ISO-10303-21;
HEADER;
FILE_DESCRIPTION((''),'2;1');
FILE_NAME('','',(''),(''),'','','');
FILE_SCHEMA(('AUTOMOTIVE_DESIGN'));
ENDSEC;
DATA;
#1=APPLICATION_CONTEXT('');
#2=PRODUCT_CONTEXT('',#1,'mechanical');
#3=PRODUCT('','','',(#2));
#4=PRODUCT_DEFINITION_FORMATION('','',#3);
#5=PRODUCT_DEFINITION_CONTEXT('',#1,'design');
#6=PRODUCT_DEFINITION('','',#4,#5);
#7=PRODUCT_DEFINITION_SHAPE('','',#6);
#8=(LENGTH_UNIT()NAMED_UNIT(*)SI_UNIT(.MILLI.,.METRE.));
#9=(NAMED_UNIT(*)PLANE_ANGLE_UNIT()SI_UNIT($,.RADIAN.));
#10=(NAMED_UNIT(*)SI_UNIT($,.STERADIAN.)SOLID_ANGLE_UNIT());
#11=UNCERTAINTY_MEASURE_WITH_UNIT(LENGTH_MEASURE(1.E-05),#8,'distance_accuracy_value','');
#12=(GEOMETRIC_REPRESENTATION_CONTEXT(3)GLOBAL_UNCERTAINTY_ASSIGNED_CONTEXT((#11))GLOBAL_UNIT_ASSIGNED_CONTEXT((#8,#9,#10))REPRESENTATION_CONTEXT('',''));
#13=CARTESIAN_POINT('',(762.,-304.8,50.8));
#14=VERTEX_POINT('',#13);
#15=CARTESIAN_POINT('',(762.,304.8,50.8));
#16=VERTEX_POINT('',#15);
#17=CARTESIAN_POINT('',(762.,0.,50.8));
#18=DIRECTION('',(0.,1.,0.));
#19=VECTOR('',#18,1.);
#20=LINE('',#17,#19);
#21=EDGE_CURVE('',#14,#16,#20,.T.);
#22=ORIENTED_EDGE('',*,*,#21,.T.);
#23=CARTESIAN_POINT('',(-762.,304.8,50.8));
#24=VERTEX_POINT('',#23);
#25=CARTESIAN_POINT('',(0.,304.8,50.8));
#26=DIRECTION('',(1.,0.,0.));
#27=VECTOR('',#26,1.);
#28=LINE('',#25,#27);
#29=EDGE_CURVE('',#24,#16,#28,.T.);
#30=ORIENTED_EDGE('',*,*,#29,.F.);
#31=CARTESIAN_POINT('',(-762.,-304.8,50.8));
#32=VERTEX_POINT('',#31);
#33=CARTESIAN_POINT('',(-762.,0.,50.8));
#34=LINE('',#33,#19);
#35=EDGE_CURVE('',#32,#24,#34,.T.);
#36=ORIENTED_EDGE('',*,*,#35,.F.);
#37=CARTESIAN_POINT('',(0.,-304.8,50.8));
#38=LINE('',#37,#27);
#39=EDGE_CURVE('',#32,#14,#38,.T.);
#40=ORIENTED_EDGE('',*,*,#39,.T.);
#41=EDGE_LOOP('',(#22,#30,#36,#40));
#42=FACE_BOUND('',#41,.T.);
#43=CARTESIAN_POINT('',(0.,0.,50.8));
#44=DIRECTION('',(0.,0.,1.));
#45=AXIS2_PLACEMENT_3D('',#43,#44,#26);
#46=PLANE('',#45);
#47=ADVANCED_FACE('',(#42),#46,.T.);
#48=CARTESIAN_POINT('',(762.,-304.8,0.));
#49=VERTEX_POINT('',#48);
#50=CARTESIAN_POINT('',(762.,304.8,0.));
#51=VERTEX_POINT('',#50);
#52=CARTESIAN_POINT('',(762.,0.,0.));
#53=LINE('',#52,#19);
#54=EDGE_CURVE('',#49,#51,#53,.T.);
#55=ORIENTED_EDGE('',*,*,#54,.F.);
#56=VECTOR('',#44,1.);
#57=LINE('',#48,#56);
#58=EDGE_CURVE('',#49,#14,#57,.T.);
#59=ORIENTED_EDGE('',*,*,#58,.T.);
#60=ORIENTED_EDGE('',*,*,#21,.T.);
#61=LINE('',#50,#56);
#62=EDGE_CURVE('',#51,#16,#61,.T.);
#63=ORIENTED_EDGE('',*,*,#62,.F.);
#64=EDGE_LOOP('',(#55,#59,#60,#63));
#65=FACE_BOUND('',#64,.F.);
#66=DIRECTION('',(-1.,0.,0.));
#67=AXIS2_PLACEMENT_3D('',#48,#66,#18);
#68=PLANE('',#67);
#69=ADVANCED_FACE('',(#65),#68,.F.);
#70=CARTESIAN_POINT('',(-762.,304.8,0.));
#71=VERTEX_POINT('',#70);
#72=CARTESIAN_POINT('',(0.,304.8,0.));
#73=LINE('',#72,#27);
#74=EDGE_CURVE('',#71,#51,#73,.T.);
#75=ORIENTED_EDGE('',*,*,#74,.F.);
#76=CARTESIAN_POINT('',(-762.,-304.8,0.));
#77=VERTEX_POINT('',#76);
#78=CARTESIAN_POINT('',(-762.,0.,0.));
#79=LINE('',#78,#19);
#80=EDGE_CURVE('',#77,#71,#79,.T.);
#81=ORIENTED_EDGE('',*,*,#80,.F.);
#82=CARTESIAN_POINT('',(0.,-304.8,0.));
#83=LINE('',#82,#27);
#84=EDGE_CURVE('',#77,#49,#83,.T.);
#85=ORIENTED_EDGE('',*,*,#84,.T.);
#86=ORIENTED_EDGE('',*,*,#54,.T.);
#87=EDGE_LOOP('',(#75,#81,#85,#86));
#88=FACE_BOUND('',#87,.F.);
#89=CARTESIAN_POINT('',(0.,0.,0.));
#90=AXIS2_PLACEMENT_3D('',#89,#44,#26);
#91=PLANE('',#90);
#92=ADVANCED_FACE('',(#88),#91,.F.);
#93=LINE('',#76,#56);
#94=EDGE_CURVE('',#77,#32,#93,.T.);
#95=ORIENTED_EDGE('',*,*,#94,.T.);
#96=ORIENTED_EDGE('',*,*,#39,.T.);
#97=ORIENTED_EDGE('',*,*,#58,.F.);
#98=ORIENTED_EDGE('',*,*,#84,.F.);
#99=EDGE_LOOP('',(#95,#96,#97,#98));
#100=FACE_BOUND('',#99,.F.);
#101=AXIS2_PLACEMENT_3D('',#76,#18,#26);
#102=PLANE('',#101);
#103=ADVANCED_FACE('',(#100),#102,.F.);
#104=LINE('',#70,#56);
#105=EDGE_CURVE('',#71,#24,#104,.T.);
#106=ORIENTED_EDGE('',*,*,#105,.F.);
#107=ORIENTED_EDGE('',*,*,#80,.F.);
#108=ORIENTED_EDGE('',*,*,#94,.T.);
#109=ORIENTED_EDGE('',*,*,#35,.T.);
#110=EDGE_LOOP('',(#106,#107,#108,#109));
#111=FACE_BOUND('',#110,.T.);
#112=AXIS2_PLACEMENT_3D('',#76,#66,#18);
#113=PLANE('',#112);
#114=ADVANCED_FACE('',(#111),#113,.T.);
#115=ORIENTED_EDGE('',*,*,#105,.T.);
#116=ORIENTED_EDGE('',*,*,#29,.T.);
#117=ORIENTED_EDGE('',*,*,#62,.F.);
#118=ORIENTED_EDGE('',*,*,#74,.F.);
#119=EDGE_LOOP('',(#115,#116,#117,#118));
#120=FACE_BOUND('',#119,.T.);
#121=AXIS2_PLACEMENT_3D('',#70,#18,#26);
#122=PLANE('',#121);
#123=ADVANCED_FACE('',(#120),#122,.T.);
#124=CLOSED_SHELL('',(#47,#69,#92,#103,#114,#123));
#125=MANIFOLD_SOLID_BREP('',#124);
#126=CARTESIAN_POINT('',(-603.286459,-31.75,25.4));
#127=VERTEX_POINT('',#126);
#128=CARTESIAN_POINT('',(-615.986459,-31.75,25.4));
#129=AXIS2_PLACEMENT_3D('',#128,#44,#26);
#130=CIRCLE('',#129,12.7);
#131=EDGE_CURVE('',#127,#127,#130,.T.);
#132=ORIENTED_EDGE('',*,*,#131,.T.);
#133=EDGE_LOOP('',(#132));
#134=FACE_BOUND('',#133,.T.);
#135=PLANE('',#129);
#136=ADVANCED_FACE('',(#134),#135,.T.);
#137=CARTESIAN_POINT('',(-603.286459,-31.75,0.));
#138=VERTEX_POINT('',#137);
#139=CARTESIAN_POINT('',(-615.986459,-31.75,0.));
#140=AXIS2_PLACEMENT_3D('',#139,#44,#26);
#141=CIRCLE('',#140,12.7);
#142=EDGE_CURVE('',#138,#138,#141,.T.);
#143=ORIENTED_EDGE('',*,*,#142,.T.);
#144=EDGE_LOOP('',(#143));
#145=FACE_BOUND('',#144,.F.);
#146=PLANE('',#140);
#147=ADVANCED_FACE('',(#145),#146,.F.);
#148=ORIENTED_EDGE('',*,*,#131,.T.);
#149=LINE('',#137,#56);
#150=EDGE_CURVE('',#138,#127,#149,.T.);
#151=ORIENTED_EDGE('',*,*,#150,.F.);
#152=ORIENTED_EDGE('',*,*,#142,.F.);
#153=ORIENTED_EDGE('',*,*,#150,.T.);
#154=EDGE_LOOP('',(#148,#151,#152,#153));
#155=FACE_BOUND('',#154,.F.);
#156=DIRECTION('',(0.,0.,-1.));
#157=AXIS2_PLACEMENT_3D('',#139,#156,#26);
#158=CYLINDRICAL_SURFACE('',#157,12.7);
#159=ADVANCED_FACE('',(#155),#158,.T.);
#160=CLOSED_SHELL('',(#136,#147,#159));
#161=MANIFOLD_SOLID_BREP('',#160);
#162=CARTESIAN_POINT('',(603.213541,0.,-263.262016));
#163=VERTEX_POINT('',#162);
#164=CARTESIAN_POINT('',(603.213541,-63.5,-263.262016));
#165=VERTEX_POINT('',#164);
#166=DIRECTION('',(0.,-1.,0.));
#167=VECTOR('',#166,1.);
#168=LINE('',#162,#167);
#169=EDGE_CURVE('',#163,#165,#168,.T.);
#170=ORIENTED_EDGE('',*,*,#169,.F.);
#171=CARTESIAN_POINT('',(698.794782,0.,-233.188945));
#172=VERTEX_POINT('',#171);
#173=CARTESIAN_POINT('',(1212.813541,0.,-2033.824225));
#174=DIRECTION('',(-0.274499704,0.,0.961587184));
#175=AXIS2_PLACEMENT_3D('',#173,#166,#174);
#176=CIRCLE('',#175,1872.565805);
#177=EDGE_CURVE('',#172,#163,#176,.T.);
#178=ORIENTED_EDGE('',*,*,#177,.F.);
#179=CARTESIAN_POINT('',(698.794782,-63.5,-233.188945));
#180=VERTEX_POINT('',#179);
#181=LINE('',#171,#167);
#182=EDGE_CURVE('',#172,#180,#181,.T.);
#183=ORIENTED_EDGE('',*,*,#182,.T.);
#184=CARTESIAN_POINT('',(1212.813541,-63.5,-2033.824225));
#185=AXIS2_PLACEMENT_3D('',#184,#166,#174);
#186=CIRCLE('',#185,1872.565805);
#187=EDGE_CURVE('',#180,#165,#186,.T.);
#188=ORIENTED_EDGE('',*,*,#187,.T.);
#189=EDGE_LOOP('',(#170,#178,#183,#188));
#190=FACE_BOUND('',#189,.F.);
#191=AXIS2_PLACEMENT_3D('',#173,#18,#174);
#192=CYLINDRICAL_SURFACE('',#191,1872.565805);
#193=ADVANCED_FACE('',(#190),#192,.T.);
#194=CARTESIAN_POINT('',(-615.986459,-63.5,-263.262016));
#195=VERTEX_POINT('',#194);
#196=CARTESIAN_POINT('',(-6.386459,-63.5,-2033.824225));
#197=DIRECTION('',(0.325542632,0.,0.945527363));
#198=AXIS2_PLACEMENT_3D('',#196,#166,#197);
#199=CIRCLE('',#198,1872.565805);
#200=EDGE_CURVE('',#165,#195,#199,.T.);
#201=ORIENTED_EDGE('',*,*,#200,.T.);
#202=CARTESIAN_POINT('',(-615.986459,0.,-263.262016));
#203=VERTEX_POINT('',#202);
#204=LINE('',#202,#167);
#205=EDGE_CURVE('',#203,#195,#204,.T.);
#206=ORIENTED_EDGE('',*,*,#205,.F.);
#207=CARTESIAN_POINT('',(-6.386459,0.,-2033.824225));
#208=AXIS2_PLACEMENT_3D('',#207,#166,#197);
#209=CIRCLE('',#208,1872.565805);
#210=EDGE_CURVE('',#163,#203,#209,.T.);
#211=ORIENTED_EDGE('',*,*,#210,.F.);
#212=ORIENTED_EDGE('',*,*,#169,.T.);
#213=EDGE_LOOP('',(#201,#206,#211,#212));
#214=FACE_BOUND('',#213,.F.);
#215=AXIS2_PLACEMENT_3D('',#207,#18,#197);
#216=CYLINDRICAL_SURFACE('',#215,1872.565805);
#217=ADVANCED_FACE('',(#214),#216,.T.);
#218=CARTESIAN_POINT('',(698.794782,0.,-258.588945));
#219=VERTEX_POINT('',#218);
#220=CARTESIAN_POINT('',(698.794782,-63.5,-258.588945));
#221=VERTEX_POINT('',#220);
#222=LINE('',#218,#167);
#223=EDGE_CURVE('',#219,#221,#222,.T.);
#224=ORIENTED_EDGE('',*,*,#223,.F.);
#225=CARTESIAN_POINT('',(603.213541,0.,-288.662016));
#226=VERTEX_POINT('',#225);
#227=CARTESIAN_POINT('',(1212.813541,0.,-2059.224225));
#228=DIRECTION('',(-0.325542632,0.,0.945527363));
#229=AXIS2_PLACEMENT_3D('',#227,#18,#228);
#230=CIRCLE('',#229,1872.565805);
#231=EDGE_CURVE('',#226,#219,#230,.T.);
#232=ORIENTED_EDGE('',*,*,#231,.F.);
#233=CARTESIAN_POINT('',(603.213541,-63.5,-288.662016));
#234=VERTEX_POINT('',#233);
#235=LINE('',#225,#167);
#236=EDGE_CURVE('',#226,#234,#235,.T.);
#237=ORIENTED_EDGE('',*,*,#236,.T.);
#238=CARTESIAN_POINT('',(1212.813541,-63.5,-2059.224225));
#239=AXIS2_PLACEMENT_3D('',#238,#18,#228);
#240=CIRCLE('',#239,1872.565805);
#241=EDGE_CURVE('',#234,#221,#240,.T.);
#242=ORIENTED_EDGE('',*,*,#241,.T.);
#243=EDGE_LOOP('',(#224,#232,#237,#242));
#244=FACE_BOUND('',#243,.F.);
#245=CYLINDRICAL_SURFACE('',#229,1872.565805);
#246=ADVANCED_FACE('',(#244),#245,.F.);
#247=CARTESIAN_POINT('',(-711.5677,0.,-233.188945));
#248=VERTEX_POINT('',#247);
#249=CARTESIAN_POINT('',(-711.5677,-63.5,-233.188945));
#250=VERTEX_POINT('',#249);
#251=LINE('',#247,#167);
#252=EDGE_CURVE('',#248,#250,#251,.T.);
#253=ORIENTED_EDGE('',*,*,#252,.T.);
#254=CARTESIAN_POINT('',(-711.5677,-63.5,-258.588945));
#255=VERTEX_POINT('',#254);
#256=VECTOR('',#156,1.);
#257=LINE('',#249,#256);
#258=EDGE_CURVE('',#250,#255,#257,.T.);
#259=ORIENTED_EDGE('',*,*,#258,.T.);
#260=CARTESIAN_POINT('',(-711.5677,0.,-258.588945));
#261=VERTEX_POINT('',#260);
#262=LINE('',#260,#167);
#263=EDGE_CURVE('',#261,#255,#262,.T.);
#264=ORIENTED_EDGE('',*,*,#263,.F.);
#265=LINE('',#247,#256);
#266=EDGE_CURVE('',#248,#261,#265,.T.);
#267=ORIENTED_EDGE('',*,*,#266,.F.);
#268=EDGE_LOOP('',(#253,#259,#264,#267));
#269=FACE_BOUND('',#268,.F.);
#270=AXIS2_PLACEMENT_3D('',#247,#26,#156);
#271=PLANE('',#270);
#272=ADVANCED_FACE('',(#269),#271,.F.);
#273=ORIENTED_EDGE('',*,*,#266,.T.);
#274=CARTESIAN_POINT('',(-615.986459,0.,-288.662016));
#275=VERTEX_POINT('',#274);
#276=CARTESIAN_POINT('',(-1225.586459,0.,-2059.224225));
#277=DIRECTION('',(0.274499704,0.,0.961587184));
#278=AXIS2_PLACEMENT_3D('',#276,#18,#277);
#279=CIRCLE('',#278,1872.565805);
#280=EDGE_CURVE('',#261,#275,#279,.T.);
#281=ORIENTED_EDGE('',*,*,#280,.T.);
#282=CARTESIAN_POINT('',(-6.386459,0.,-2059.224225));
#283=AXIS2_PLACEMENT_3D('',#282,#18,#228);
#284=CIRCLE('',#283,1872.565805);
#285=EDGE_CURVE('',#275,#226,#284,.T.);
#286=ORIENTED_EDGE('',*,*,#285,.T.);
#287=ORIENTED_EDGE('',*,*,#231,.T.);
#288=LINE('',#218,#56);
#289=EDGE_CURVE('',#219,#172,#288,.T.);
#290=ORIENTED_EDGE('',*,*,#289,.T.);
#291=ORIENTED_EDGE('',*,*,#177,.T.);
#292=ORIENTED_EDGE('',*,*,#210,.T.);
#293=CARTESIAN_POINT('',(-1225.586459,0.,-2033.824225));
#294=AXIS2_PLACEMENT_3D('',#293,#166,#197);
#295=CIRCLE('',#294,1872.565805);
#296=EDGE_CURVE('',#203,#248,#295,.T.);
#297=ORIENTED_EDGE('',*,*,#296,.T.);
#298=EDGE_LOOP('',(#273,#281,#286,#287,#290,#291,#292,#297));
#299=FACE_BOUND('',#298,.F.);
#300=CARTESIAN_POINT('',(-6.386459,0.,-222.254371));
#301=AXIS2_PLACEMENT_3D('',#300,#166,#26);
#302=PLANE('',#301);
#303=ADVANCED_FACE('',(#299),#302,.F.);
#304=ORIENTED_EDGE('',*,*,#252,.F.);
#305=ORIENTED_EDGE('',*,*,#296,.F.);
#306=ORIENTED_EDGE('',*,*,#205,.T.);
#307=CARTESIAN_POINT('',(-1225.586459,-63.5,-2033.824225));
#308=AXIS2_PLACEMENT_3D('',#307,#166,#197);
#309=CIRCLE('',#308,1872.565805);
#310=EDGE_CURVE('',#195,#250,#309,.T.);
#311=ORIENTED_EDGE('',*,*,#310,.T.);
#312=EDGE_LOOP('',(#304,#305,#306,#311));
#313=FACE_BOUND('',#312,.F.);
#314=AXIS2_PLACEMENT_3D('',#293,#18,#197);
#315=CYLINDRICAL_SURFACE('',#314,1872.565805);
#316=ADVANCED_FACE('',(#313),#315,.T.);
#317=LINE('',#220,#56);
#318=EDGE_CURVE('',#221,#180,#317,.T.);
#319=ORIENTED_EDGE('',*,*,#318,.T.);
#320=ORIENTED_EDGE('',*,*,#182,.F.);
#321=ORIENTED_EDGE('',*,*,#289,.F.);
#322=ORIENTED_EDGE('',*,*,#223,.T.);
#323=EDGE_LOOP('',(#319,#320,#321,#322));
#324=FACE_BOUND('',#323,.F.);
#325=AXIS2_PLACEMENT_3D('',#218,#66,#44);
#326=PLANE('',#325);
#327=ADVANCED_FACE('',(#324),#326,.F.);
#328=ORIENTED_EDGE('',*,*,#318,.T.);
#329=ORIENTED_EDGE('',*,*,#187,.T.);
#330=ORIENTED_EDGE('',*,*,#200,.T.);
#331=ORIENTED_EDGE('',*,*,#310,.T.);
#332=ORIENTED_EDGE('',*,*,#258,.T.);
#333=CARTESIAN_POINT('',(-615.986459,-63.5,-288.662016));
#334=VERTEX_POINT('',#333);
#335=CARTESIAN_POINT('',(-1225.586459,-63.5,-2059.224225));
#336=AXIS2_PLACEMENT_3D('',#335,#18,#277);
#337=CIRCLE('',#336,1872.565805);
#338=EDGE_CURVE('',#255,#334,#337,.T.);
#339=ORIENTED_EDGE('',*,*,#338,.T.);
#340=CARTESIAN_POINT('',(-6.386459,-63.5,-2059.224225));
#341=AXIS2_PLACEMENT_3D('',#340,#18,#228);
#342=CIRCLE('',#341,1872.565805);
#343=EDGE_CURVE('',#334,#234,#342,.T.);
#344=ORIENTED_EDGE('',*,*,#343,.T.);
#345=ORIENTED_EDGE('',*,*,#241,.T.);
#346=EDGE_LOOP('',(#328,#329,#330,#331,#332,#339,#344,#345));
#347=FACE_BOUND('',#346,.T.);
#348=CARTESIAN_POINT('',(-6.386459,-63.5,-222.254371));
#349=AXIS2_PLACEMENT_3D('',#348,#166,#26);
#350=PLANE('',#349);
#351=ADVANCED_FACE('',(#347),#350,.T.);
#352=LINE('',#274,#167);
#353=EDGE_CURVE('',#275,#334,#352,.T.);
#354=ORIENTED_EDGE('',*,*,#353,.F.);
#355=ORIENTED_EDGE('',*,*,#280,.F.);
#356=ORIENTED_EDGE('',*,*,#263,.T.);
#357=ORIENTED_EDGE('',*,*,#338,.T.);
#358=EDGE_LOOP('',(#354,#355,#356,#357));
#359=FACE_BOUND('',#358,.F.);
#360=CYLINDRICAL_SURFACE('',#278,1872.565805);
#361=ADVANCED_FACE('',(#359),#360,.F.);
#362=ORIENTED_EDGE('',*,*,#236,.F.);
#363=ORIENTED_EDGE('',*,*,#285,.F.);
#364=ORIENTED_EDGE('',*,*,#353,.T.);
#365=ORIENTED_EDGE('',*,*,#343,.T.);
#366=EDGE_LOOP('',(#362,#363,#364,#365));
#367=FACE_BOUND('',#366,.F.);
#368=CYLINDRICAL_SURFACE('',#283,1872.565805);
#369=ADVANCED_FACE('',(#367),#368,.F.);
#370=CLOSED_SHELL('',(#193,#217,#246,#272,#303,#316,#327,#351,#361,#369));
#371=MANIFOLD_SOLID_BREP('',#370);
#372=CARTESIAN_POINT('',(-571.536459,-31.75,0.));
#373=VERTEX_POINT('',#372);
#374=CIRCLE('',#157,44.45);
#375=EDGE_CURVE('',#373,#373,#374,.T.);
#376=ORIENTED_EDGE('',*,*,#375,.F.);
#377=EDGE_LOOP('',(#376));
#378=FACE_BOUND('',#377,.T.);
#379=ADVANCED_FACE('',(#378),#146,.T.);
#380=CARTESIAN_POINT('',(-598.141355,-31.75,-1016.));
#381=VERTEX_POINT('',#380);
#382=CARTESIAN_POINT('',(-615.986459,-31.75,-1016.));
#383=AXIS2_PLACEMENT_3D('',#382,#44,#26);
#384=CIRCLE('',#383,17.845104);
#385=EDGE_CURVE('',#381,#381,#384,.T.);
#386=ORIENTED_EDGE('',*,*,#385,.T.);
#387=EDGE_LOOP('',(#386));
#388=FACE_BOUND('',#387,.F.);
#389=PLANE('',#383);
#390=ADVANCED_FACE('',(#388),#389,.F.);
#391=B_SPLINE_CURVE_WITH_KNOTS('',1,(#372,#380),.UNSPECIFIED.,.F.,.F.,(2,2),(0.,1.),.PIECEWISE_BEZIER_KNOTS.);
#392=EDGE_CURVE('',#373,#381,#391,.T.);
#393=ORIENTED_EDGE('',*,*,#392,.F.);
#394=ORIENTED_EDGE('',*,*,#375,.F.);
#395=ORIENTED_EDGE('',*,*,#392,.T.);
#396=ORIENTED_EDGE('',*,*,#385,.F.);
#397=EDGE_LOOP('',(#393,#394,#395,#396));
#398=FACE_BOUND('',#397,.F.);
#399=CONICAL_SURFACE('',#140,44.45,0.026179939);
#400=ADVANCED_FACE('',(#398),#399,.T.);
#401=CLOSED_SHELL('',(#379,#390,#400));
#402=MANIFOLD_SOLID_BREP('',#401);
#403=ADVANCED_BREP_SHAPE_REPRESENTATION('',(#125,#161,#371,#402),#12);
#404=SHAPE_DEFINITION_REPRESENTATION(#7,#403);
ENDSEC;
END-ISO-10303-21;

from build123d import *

# Parameters (mm, degrees)
F0_W     = 1524
F0_H     = 609.6
F1_DEPTH = 50.8
F3_DEPTH = 63.5
F4_R     = 44.45
F5_DEPTH = 1016
F5_TAPER = 1.5
F6_R     = 12.7
F7_DEPTH = 25.4


with BuildPart() as f1:
    # F0 (on Top) → F1 (new body)
    with BuildSketch(Plane.XY):
        Rectangle(F0_W, F0_H)
    extrude(amount=F1_DEPTH)


with BuildPart() as f3:
    # F2 (on Front) → F3 (new body)
    with BuildSketch(Plane.XZ):
        with BuildLine():
            ThreePointArc((-615.9864588737, -288.6620163918), (-6.3864588737, -186.6584198724), (603.2135411263, -288.6620163918))
            ThreePointArc((603.2135411263, -288.6620163918), (650.8029751461, -272.9860498745), (698.7947821617, -258.5889454448))
            Line((698.7947821617, -258.5889454448), (698.7947821617, -233.1889454448))
            ThreePointArc((698.7947821617, -233.1889454448), (650.8029751461, -247.5860498745), (603.2135411263, -263.2620163918))
            ThreePointArc((603.2135411263, -263.2620163918), (-6.3864588737, -161.2584198724), (-615.9864588737, -263.2620163918))
            ThreePointArc((-615.9864588737, -263.2620163918), (-663.5758928936, -247.5860498745), (-711.5676999092, -233.1889454448))
            Line((-711.5676999092, -233.1889454448), (-711.5676999092, -258.5889454448))
            ThreePointArc((-711.5676999092, -258.5889454448), (-663.5758928936, -272.9860498745), (-615.9864588737, -288.6620163918))
        make_face()
    extrude(amount=F3_DEPTH)


with BuildPart() as f5:
    # F4 (on Top) → F5 (new body)
    with BuildSketch(Plane.XY):
        with Locations((-615.9864588737, -31.75)):
            Circle(F4_R)
    extrude(amount=-F5_DEPTH, taper=F5_TAPER)


with BuildPart() as f7:
    # F6 (on Top) → F7 (new body)
    with BuildSketch(Plane.XY):
        with Locations((-615.9864588737, -31.75)):
            Circle(F6_R)
    extrude(amount=F7_DEPTH)


solid = Compound([f1.part, f3.part, f5.part, f7.part])
